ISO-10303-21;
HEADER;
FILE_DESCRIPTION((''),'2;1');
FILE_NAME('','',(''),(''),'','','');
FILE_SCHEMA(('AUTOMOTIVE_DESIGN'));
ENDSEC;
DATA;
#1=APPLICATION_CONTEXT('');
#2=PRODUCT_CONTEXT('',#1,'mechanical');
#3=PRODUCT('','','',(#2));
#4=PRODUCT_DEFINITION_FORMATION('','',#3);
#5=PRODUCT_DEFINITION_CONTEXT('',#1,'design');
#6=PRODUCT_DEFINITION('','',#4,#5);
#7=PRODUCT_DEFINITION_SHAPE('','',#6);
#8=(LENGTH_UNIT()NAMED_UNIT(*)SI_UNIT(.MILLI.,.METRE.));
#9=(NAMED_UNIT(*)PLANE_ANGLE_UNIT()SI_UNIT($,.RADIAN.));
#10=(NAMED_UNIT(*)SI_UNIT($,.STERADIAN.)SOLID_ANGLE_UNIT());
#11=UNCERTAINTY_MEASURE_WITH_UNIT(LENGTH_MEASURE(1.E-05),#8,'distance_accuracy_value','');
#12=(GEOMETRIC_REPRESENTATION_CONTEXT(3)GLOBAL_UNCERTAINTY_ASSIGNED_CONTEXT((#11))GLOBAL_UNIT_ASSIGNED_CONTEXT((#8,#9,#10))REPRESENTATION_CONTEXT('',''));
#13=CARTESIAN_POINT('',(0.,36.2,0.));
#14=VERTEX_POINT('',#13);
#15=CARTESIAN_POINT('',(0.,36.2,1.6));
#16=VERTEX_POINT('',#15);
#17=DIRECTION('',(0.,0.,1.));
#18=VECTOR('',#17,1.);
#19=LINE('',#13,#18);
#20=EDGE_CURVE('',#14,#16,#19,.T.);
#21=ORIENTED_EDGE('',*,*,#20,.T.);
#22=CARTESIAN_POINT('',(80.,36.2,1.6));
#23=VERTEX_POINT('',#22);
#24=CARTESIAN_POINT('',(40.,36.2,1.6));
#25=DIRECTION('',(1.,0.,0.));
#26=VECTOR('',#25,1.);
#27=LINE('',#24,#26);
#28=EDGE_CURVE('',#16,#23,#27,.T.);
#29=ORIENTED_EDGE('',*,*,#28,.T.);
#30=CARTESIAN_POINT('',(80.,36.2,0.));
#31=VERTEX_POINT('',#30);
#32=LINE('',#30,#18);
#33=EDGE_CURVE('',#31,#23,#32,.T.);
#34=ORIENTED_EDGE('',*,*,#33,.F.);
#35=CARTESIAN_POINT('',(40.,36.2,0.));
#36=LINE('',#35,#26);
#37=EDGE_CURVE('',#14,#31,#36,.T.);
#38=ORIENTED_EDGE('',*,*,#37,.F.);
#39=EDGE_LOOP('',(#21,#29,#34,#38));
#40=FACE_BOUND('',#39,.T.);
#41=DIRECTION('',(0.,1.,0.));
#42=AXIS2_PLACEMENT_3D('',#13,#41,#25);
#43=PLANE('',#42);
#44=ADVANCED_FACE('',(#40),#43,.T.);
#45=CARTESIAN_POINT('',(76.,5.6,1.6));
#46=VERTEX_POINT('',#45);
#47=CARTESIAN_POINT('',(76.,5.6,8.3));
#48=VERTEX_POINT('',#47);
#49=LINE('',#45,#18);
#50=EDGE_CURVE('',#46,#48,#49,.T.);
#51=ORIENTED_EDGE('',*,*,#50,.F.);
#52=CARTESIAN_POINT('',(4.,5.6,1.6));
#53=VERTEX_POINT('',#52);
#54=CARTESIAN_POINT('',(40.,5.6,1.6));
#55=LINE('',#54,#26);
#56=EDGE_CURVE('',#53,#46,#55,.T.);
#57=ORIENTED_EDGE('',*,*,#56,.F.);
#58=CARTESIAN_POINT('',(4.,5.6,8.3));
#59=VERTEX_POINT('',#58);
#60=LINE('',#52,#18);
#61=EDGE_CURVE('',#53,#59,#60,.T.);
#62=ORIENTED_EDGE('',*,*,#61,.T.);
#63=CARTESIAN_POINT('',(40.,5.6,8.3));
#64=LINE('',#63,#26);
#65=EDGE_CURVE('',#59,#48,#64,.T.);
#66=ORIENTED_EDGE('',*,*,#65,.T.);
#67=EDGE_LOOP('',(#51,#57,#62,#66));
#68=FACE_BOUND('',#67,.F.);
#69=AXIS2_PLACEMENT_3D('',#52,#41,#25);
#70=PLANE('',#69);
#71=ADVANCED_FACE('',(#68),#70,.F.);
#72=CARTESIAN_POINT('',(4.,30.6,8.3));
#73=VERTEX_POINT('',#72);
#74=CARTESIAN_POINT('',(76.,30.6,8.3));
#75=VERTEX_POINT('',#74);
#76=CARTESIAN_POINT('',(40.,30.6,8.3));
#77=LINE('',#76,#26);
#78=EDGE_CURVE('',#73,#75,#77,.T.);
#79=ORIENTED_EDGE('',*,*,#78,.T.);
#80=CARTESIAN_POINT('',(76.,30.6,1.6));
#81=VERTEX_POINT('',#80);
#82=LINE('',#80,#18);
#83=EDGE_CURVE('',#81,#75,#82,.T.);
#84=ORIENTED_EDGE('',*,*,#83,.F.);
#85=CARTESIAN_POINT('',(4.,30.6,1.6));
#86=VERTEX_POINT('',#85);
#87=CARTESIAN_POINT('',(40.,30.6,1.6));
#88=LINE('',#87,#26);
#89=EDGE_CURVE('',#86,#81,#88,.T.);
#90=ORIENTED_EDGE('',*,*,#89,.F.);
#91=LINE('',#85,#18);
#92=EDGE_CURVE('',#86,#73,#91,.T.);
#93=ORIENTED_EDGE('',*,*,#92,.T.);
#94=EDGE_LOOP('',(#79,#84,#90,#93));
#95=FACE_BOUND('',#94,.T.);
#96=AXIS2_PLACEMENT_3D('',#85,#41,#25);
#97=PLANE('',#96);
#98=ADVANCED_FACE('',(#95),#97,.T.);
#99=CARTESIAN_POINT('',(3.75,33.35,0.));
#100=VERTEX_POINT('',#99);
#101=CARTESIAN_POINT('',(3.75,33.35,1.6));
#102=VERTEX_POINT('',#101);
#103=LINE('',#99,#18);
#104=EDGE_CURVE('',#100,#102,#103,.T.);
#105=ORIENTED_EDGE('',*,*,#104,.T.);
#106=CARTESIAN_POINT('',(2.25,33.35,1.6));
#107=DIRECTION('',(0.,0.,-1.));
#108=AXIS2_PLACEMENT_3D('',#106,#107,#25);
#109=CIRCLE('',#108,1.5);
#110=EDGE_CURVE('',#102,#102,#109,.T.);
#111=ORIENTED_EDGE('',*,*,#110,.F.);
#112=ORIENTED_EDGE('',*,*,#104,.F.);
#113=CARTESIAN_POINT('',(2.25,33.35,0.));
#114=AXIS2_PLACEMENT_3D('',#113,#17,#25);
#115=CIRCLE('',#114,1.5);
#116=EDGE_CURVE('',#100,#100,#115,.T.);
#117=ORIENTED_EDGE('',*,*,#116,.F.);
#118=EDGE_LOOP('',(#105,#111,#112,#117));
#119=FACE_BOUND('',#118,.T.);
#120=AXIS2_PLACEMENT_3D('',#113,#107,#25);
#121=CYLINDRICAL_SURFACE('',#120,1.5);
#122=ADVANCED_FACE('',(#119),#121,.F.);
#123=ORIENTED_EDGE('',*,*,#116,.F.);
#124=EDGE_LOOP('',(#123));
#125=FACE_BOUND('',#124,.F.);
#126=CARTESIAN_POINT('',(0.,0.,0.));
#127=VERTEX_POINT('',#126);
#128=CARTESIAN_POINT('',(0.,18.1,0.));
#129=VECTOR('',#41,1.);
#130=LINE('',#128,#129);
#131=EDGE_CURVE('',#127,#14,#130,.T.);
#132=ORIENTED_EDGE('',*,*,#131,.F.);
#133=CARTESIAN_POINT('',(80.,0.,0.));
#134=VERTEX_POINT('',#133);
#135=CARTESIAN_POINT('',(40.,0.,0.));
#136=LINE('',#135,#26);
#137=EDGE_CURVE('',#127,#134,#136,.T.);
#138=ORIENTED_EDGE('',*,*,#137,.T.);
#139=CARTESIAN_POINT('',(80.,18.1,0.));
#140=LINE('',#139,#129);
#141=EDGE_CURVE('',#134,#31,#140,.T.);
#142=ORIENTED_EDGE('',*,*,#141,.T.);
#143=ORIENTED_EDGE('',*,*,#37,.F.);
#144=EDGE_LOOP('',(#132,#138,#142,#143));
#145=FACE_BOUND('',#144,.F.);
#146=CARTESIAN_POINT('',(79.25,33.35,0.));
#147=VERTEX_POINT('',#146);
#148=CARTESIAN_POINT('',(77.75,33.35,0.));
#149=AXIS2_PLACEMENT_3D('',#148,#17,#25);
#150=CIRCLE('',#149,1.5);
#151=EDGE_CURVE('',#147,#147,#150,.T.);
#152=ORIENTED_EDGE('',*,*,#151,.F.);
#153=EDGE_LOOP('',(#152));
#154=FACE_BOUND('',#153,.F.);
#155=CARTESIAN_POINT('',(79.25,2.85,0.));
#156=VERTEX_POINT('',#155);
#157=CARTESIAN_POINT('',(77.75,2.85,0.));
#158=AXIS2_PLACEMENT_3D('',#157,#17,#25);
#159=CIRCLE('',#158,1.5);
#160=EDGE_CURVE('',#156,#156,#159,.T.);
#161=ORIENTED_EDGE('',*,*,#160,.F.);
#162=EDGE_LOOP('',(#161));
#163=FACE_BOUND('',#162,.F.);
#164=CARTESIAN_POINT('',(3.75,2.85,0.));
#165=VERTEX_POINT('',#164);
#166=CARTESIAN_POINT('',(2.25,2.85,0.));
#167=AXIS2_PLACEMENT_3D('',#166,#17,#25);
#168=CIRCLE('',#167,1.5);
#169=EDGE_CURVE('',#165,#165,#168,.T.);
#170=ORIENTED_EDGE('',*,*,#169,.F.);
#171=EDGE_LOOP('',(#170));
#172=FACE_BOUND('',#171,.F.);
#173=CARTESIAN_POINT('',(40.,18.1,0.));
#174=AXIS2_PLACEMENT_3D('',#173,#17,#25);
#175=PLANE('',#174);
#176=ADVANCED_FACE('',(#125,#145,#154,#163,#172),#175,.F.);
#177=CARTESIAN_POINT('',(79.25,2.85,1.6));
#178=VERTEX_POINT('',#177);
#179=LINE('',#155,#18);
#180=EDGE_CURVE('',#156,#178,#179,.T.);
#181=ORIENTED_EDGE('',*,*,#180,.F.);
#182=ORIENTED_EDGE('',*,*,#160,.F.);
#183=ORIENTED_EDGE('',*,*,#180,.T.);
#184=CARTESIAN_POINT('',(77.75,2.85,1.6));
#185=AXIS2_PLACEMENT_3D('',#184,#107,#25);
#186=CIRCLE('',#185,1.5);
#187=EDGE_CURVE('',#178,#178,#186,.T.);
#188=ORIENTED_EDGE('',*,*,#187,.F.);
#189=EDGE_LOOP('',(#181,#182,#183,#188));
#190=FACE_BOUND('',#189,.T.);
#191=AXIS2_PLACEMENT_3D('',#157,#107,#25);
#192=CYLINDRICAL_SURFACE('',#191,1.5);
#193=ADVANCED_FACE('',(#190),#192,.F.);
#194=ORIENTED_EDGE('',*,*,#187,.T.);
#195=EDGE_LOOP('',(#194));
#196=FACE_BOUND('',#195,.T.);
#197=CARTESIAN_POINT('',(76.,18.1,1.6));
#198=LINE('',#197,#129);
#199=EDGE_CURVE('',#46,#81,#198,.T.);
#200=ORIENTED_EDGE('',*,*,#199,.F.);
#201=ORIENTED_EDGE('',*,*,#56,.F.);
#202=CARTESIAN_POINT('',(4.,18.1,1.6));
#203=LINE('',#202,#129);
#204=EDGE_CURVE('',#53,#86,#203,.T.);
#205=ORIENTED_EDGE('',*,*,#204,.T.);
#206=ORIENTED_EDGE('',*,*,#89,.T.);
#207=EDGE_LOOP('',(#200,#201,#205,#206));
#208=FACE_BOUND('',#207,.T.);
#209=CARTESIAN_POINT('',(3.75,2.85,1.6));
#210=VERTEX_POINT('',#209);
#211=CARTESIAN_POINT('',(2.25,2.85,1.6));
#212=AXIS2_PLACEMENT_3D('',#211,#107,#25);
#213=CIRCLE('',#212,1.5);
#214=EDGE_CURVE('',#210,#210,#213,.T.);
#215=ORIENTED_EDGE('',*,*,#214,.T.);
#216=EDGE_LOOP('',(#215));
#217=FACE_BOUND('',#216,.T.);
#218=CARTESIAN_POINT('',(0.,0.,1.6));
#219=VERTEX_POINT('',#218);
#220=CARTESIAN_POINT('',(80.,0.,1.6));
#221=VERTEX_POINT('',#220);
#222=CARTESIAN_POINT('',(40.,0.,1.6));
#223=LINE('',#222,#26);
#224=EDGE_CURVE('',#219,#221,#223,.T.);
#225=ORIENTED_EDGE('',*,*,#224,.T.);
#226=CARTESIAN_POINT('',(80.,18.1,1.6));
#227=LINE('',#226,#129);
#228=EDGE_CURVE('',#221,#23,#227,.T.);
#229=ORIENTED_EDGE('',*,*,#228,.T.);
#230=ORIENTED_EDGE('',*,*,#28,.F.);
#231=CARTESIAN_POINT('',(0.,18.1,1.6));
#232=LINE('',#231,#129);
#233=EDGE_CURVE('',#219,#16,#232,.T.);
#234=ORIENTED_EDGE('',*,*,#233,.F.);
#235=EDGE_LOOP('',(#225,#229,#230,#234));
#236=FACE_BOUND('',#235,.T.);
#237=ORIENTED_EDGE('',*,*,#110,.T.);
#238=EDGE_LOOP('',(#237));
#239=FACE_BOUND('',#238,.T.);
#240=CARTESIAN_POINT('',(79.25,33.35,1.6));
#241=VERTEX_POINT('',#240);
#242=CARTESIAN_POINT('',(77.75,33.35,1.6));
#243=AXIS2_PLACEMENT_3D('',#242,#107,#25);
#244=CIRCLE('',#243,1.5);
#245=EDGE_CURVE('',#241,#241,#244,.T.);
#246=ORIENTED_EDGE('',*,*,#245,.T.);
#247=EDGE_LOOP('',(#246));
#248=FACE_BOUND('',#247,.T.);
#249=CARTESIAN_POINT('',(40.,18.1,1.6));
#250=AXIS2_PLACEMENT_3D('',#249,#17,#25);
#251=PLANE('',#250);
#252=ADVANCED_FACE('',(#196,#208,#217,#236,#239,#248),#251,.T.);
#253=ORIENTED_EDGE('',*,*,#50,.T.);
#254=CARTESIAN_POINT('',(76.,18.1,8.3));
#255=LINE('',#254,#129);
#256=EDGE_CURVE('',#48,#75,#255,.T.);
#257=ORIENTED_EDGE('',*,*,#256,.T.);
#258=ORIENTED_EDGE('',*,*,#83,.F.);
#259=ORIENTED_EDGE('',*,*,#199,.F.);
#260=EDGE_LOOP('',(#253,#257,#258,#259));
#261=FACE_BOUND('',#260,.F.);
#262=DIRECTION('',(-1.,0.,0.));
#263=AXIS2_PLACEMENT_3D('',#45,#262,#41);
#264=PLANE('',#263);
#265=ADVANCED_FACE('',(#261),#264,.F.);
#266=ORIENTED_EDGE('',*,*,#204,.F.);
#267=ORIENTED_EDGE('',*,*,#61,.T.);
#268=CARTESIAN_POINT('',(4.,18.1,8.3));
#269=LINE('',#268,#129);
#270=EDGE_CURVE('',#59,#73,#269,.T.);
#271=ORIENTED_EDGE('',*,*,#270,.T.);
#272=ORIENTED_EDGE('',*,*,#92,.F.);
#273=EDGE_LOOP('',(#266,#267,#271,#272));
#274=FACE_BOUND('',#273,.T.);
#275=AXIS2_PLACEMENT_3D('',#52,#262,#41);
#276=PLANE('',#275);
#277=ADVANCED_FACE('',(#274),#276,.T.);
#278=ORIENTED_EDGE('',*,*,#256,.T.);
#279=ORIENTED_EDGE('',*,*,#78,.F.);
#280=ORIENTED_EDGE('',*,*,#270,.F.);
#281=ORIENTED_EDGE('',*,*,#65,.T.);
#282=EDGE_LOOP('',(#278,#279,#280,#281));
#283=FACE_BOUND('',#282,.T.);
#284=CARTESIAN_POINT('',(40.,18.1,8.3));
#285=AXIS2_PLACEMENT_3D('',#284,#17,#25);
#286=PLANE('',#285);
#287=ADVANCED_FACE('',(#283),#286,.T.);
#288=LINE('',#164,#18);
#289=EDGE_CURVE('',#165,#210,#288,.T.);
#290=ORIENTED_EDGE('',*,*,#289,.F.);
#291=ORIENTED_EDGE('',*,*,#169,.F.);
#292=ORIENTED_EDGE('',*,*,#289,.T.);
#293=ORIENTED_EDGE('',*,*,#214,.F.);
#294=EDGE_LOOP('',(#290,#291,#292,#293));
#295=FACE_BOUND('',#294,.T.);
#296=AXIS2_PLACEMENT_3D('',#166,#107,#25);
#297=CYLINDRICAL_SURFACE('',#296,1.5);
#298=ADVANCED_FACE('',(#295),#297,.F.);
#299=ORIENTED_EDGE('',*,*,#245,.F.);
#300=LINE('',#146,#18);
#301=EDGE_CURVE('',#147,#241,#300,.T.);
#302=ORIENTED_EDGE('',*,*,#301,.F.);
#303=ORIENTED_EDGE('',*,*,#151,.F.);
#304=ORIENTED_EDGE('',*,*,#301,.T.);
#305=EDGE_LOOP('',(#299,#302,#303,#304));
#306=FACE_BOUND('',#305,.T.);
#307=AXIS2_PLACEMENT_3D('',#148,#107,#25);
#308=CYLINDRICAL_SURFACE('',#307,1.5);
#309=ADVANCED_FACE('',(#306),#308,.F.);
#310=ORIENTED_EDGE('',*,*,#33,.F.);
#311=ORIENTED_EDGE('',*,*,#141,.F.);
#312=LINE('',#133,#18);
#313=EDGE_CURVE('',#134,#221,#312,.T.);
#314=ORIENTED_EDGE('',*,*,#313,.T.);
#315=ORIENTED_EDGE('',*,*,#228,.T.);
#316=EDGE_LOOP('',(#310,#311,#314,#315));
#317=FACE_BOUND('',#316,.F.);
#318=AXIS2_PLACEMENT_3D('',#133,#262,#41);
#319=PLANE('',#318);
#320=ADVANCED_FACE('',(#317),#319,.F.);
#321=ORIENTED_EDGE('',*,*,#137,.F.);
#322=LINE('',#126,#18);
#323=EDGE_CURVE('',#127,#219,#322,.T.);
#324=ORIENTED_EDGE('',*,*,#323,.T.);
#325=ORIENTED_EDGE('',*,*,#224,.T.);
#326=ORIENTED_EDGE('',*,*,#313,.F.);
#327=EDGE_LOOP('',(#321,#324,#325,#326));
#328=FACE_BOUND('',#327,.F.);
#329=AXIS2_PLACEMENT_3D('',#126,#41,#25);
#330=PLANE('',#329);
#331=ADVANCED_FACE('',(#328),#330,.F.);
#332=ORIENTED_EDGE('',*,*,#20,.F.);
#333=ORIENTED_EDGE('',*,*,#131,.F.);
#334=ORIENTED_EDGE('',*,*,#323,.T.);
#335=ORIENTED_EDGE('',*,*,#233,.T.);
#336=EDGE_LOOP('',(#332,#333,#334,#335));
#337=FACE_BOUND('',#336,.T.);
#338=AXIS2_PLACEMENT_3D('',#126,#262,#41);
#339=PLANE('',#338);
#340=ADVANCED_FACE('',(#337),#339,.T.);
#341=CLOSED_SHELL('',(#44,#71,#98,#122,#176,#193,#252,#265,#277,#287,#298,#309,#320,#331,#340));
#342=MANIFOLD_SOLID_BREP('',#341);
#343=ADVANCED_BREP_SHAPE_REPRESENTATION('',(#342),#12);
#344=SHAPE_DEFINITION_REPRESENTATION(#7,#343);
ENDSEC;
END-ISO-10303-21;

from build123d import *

# Parameters (mm, degrees)
BOX004_W        = 80
BOX004_H        = 36.2
BOX004_DEPTH    = 1.6
BOX005_W        = 72
BOX005_H        = 25
BOX005_DEPTH    = 6.7
SKETCH019_R     = 1.5
POCKET002_DEPTH = 5


with BuildPart() as part:
    # Box004 → Box004 (join)
    with BuildSketch(Plane.XY):
        with Locations((40, 18.1)):
            Rectangle(BOX004_W, BOX004_H)
    extrude(amount=BOX004_DEPTH)

    # Box005 → Box005 (join)
    with BuildSketch(Plane(origin=(4, 5.6, 1.6), x_dir=(1, 0, 0), z_dir=(0, 0, 1))):
        with Locations((36, 12.5)):
            Rectangle(BOX005_W, BOX005_H)
    extrude(amount=BOX005_DEPTH)

    # Sketch019 → Pocket002 (cut)
    with BuildSketch(Plane.XY):
        with Locations((2.25, 33.35)):
            Circle(SKETCH019_R)
        with Locations((77.75, 33.35)):
            Circle(SKETCH019_R)
        with Locations((77.75, 2.85)):
            Circle(SKETCH019_R)
        with Locations((2.25, 2.85)):
            Circle(SKETCH019_R)
    extrude(amount=POCKET002_DEPTH, mode=Mode.SUBTRACT)


solid = part.part
